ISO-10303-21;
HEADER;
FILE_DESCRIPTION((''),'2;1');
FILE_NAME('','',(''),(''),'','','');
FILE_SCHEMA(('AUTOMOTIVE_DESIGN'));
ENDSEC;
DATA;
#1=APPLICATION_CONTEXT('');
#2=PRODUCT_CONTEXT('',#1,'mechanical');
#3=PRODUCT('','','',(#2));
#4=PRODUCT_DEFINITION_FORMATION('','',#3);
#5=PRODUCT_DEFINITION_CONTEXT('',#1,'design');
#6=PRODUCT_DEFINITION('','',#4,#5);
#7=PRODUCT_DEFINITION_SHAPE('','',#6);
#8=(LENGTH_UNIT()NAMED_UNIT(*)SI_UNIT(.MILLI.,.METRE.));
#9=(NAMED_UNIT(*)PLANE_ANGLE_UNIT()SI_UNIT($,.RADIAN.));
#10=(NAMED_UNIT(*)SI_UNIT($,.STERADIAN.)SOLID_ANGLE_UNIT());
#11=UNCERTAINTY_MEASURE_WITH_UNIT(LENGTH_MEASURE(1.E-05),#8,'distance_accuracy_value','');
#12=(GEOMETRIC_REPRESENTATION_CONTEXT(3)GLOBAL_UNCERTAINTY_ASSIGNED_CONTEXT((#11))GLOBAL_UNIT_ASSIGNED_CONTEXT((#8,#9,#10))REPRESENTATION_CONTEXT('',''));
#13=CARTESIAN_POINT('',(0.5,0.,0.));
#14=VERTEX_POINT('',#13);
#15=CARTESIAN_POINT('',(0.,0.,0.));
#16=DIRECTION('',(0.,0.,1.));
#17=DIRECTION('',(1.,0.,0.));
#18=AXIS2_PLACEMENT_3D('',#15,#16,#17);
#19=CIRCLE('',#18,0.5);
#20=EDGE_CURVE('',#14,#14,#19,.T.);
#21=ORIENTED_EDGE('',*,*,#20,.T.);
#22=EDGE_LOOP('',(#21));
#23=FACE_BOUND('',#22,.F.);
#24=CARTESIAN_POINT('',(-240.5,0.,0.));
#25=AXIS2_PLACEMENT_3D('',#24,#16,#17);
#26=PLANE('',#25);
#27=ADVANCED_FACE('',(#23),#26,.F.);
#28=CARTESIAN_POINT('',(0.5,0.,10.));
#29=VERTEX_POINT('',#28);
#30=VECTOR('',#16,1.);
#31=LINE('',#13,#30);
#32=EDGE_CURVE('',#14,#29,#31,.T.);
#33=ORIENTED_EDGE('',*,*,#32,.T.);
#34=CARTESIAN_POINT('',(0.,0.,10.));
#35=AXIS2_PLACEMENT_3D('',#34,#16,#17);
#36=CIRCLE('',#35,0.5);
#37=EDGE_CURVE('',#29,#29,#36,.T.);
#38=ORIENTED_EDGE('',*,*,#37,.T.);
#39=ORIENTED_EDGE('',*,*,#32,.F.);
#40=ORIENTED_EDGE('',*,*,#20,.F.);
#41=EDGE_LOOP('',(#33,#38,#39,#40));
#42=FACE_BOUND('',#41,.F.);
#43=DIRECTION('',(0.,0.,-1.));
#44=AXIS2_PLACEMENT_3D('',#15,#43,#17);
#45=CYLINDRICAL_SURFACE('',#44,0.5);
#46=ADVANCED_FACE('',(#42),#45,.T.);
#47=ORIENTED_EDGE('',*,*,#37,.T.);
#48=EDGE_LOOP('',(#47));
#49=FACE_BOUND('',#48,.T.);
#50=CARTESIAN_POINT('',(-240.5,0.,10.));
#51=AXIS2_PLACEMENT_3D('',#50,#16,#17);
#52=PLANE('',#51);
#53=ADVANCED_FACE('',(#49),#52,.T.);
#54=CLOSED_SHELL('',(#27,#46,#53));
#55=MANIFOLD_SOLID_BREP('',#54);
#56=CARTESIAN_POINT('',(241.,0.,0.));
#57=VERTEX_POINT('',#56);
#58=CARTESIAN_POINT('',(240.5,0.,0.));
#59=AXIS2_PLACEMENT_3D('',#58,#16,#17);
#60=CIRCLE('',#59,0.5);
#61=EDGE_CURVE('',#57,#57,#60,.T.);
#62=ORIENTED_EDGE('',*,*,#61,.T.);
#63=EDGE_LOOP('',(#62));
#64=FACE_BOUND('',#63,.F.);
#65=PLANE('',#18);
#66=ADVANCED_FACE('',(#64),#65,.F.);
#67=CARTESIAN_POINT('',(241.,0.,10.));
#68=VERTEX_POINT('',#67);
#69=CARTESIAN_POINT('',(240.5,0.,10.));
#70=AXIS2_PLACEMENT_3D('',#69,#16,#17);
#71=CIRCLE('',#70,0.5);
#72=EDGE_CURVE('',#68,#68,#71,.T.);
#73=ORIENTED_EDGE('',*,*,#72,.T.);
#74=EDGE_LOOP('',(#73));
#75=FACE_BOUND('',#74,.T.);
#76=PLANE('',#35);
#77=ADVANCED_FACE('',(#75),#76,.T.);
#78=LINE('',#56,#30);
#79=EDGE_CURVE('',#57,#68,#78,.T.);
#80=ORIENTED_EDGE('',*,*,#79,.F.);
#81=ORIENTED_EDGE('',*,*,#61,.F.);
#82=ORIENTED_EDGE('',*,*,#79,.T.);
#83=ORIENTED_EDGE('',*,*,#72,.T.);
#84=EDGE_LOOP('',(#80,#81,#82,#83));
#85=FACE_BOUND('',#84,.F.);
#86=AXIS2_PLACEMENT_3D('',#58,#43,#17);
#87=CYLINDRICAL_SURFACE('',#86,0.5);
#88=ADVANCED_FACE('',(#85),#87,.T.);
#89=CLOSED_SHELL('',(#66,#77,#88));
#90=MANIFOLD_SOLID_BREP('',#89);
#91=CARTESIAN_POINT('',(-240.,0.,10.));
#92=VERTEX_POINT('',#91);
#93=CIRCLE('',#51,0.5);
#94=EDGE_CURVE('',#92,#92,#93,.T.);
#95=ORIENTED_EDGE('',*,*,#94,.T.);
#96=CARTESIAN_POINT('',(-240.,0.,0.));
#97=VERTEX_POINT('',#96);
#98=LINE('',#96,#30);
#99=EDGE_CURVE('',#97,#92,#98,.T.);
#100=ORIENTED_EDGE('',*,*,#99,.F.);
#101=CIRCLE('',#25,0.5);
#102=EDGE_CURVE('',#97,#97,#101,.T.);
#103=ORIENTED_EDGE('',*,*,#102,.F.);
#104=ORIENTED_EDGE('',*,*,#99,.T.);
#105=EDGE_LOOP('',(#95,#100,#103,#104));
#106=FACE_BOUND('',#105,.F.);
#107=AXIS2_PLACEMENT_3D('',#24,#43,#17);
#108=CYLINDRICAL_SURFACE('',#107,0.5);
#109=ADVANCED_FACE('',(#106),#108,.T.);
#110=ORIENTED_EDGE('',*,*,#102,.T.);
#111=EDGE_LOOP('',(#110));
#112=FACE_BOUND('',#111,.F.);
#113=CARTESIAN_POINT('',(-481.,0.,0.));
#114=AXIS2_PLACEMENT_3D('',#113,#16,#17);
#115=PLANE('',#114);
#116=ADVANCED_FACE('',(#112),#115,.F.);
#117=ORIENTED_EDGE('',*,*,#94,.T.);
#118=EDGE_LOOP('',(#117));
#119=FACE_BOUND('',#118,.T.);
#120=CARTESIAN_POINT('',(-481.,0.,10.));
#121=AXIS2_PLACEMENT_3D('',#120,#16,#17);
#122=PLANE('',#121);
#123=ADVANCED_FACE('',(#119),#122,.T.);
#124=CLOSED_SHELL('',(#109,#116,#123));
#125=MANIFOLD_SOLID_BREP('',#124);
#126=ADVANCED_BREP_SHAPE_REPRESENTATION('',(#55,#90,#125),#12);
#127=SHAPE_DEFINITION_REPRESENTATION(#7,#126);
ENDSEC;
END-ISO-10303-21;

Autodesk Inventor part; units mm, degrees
ref_plane "YZ Plane" through (0, 0, 0) normal (1, 0, 0) x (0, 1, 0)
ref_plane "XZ Plane" through (0, 0, 0) normal (0, 1, 0) x (-1, 0, 0)
ref_plane "XY Plane" through (0, 0, 0) normal (0, 0, 1) x (1, 0, 0)
sketch "Sketch1" plane through (0, 0, 0) normal (0, 0, 1) x (1, 0, 0)
  line L0 (-300.5, -9) -> (300.5, -9)
  line L1 (300.5, -9) -> (300.5, 9)
  line L2 (300.5, 9) -> (-300.5, 9)
  line L3 (-300.5, 9) -> (-300.5, -9)
  line L4 (-300.5, -9) -> (300.5, 9) construction
  line L5 (300.5, -9) -> (-300.5, 9) construction
  point P0 (0, 0)
  dimension "d0" = 601
  dimension "d1" = 18
sketch "Lamello" plane through (0, 0, 0) normal (0, 0, 1) x (1, 0, 0)
  line L0 (48.383, 141.1858) -> (42.783, 141.1858)
  line L1 (40.583, 139.6858) -> (40.583, 114.6858)
  line L2 (42.783, 113.1858) -> (48.383, 113.1858)
  line L3 (50.583, 114.6858) -> (50.583, 139.6858)
  line L4 (50.583, 139.6858) -> (48.383, 141.1858)
  line L5 (40.583, 139.6858) -> (42.783, 141.1858)
  line L6 (40.583, 114.6858) -> (42.783, 113.1858)
  line L7 (50.583, 114.6858) -> (48.383, 113.1858)
  line L8 (50.583, 127.1858) -> (40.583, 127.1858)
  line L9 (45.583, 141.1858) -> (45.583, 113.1858)
  point P0 (45.583, 127.1858)
  point P1 (50.583, 141.1858)
  point P2 (40.583, 113.1858)
  point P3 (40.583, 141.1858)
  point P4 (50.583, 113.1858)
  dimension "d54" = 10
  dimension "d55" = 28
  dimension "d56" = 1.5
  dimension "d57" = 2.2
  dimension "d58" = 1.5
  dimension "d59" = 2.2
  dimension "d60" = 1.5
  dimension "d61" = 2.2
  dimension "d62" = 1.5
  dimension "d63" = 2.2
sketch "Sketch2" plane through (0, 0, 0) normal (0, 0, 1) x (1, 0, 0)
  circle A0 centre (240.5, 0) radius 0.5
  line L0 (300.5, 9) -> (-300.5, 9) projected
  line L1 (-300.5, -9) -> (300.5, -9) projected
  line L2 (0, -132.4) -> (0, 80.4) projected
  line L3 (300.5, -9) -> (300.5, 9) projected
  point P0 (0, 0)
  dimension "d4" = 1
  dimension "d50" = 9
  dimension "d70" = 60
extrude "Extrusion1" add sketch "Sketch2" along normal blind 10 contours A0
pattern_linear "Clamex Array" count 3 spacing 240.5 along (-1, 0, 0) of "Extrusion1"
sketch "Edge-Side Connection" plane through (0, 0, 0) normal (1, 0, 0) x (0, 1, 0)
  line L0 (-50, 0) -> (50, 0)
  line L1 (50, 0) -> (50, 18)
  line L2 (50, 18) -> (-50, 18)
  line L3 (-50, 18) -> (-50, 0)
  line L4 (-9, 0) -> (-9, -40)
  line L5 (-9, -40) -> (9, -40)
  line L6 (9, -40) -> (9, 0)
  line L7 (0, -14) -> (0, 14) construction
  line L8 (9, 0) -> (5, 0)
  line L9 (-5, -12.5) -> (-9, -12.5)
  point P0 (0, 0)
  point P1 (9, 0)
  point P2 (0, 0)
  dimension "d26" = 100
  dimension "d27" = 18
  dimension "d28" = 40
  dimension "OtherSideRefYCoordinate" = 9
  dimension "ReferenceCoord" = 9
  dimension "d49" = 90
sketch "Edge-Edge Connection" plane through (0, 0, 0) normal (1, 0, 0) x (0, 1, 0)
  line L0 (-102, 18) -> (18, 18)
  line L1 (18, 18) -> (0, 0)
  line L2 (0, 0) -> (-102, 0)
  line L3 (-102, 0) -> (-102, 18)
  line L4 (18, 18) -> (18, -102)
  line L5 (0, 0) -> (0, -102)
  line L6 (0, -102) -> (18, -102)
  line L7 (0.8657, 0.8657) -> (0, 0)
  line L8 (-0.902, 16.7756) -> (-0.902, 18)
  point P0 (4.4013, 4.4013)
  dimension "d51" = 18
  dimension "d53" = 18
  dimension "EdgeEdgeReferenceCoord" = 6.2244
  dimension "d65" = 90
  dimension "d66" = 120
  dimension "d67" = 120
  dimension "EdgeEdgeOtherSideRefYCoordinate" = 19.2315
equation "\"d9\" = Step"
equation "\"d27\" = NestleBoardT"
equation "\"d0\" = ContactPatchWidth"
equation "\"d1\" = ContactPatchHeight"
equation "\"ContactPatchWidth\" = 601"
equation "\"ContactPatchHeight\" = 18"
equation "\"PlacingWidth\" = 481"
equation "\"MinDistBetween\" = 96"
equation "\"Step\" = 240.5"
equation "\"Y_Coord\" = 9"
equation "\"NestleBoardT\" = 18"
equation "\"PillarBoardT\" = 18"
equation "\"AngleForYPositionCalc\" = 90deg"
equation "\"ConnectionAngle\" = 90deg"
equation "\"ShiftY\" = 0"
properties part number "Clamex Joint1100"
